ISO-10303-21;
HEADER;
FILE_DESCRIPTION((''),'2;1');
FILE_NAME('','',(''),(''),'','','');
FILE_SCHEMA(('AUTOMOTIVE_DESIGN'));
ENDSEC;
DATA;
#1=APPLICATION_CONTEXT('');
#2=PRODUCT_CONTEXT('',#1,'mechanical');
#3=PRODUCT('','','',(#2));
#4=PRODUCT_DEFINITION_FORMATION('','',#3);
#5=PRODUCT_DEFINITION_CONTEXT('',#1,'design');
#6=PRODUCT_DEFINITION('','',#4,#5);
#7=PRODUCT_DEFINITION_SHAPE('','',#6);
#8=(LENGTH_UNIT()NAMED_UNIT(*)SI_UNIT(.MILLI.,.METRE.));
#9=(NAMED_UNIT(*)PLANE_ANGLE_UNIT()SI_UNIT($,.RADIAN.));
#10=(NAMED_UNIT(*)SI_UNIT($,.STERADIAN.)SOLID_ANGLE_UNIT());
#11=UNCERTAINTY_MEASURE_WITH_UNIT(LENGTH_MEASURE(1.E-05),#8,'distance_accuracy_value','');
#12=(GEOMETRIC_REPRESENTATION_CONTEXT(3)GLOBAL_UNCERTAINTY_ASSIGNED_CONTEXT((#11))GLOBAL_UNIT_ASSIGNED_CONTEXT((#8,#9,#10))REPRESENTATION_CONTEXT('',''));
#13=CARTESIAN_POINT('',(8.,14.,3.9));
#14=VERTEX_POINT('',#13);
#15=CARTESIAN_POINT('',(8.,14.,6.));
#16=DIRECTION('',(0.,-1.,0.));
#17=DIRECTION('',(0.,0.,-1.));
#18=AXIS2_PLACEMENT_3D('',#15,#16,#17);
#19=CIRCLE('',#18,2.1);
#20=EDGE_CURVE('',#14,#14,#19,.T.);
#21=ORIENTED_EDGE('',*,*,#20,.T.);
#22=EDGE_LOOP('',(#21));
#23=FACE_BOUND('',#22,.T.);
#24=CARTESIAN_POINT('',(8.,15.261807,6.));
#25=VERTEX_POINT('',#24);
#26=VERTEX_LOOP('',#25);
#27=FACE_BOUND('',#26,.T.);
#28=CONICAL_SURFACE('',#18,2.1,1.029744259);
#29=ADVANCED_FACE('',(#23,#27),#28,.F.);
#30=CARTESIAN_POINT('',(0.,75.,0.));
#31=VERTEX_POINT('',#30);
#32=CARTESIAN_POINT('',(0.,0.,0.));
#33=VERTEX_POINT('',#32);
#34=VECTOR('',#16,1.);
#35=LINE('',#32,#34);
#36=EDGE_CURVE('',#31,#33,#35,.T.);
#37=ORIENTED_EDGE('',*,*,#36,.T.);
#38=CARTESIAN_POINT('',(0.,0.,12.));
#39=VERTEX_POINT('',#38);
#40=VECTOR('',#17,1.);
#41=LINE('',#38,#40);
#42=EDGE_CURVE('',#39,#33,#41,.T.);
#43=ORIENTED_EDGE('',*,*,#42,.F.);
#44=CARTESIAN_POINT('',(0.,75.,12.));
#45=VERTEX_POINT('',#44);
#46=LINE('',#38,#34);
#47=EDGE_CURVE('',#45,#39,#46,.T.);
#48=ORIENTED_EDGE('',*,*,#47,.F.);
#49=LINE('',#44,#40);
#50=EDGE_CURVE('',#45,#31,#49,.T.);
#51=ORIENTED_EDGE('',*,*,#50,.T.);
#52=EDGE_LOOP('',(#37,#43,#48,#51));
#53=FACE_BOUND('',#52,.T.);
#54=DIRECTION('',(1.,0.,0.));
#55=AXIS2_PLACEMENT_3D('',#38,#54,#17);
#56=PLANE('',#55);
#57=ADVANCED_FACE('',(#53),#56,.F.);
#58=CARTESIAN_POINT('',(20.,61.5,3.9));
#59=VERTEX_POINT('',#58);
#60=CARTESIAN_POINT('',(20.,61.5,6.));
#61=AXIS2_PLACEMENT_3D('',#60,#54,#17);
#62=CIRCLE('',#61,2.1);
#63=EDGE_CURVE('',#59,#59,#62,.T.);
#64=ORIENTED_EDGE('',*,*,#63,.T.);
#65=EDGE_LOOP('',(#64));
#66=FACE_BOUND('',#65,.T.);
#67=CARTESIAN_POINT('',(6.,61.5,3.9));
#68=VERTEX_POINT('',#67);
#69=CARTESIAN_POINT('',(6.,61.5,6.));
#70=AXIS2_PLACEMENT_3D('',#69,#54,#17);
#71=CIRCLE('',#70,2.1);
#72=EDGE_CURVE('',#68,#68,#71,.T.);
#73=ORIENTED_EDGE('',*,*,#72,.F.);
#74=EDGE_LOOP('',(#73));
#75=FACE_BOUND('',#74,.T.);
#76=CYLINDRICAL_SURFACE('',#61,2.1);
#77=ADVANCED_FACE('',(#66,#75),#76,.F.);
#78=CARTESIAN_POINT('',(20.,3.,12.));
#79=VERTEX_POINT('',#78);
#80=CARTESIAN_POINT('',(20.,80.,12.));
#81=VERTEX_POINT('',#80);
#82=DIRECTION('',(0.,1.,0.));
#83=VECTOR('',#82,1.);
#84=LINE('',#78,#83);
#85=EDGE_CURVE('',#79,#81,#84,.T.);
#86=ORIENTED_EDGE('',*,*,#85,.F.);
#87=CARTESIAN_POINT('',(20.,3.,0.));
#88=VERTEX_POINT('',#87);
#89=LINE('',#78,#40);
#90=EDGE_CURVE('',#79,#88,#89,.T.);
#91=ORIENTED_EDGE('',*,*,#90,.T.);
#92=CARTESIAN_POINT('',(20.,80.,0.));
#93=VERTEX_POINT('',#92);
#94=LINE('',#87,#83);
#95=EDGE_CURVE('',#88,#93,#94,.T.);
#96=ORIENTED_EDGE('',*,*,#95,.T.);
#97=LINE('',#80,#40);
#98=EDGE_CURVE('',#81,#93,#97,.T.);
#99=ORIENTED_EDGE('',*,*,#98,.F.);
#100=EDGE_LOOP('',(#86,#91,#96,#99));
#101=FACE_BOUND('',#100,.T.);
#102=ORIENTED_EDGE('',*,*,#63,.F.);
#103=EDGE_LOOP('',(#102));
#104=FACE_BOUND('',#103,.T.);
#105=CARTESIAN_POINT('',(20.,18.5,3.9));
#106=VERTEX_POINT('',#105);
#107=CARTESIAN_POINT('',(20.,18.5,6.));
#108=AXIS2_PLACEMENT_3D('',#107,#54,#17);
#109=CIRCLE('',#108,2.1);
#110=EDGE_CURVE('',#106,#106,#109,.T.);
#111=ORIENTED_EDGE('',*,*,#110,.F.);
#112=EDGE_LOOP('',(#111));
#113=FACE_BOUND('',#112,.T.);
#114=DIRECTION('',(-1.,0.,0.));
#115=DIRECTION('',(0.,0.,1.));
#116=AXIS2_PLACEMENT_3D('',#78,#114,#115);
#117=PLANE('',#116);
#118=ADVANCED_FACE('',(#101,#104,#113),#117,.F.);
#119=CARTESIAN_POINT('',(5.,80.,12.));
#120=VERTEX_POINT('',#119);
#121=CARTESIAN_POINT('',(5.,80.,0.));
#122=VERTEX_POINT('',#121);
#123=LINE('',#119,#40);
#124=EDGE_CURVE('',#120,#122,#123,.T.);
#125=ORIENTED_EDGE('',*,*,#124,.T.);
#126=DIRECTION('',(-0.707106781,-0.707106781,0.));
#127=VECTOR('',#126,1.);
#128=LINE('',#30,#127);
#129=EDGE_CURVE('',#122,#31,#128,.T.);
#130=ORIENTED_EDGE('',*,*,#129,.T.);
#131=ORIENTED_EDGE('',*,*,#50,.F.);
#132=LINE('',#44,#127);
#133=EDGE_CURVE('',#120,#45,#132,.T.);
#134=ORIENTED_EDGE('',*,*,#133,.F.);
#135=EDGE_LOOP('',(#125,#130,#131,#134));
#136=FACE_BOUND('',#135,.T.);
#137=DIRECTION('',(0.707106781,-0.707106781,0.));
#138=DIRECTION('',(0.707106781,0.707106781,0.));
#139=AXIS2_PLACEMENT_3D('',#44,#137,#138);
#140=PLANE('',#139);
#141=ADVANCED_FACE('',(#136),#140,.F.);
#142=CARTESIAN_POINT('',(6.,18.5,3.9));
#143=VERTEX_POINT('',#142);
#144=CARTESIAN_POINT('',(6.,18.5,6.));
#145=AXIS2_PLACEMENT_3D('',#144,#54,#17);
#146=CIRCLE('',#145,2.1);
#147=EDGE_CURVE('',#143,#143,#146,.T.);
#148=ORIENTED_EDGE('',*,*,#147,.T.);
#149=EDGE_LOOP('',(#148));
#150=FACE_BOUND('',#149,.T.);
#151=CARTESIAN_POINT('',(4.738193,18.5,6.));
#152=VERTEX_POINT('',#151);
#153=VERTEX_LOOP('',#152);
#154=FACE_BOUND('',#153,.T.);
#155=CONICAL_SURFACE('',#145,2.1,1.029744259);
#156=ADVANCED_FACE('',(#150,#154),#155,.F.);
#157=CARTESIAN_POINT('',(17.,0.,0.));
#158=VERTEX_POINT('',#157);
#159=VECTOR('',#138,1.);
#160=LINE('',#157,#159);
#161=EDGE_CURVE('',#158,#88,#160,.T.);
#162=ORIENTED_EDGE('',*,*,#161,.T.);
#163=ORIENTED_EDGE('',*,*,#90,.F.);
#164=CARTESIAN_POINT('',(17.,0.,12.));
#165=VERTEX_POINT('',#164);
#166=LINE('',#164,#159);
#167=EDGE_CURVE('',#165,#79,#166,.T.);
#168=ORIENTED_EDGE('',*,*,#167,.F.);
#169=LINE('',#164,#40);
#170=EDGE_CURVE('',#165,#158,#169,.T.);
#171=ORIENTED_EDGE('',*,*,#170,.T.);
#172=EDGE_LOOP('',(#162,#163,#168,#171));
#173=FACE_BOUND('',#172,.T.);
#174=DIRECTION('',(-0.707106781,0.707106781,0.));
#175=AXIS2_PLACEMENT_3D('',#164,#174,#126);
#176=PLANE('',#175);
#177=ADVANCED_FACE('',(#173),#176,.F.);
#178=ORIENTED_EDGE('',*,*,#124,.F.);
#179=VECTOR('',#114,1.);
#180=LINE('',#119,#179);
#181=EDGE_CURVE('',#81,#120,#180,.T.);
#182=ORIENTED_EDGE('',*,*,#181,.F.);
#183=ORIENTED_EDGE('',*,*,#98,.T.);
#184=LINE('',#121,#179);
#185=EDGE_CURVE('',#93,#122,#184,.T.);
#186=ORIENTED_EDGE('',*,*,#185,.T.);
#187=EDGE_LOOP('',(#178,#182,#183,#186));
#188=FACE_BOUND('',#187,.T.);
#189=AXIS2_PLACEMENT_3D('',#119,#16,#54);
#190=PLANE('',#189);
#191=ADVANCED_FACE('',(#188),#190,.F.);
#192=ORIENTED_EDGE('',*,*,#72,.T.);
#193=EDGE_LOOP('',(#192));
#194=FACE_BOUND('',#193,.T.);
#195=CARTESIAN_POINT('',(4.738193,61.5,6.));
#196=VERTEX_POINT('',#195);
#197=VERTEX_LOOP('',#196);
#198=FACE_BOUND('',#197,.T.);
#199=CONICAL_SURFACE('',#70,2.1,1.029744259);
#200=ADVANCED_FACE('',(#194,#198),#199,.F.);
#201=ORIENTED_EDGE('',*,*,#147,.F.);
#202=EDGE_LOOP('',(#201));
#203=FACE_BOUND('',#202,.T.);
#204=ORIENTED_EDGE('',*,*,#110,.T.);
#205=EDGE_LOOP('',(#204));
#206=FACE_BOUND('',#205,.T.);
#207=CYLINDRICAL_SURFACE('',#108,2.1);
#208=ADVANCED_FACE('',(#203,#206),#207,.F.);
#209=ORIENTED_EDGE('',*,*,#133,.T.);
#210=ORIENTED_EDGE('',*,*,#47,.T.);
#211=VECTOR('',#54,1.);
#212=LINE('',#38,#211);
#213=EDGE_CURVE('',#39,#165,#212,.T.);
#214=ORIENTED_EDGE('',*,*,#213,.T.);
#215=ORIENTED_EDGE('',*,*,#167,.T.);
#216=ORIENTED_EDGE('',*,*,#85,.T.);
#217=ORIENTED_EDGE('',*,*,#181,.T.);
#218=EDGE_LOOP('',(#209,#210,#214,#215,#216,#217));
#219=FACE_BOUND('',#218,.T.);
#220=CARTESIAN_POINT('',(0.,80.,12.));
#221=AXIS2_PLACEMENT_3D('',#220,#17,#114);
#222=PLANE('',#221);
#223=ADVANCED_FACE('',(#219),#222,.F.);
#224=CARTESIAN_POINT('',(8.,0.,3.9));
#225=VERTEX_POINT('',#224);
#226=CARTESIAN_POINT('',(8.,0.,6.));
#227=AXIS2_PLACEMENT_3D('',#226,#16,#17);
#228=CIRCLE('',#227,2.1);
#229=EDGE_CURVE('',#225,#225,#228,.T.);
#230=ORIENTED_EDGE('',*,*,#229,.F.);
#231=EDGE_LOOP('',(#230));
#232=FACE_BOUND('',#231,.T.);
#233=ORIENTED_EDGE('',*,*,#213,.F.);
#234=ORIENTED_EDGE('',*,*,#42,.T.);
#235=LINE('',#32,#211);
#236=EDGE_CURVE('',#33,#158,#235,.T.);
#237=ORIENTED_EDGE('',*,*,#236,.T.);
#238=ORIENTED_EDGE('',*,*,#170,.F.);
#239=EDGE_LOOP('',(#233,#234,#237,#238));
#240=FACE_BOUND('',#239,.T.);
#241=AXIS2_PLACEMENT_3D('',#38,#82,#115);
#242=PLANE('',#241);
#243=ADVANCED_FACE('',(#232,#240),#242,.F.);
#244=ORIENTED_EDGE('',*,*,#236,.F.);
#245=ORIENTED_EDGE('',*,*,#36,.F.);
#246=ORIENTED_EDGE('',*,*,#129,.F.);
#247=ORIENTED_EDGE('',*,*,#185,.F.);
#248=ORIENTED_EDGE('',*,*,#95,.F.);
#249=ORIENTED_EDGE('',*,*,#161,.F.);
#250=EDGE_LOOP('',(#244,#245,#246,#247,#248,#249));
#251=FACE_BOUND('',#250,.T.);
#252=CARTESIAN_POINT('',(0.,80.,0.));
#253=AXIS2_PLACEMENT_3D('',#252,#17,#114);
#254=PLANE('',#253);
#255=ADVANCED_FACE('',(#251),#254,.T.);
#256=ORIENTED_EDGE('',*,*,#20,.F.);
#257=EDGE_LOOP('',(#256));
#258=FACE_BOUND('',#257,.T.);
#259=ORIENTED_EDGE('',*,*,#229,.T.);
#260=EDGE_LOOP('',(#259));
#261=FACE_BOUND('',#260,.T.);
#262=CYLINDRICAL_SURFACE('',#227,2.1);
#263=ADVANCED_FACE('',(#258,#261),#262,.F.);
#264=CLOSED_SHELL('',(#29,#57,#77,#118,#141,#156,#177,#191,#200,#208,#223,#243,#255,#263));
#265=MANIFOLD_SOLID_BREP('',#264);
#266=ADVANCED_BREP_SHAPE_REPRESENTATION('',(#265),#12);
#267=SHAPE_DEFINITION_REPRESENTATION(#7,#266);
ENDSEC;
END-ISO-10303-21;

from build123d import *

# Parameters (mm, degrees)
BOSS_EXTRUDE1_DEPTH       = 12
M5X0_8_TAPPED_HOLE1_D     = 4.2
M5X0_8_TAPPED_HOLE1_DEPTH = 14
M5X0_8_TAPPED_HOLE1_TIP   = 1.2618073
M5X0_8_TAPPED_HOLE2_D     = 4.2
M5X0_8_TAPPED_HOLE2_DEPTH = 14
M5X0_8_TAPPED_HOLE2_TIP   = 1.2618073


with BuildPart() as part:
    # Sketch1 → Boss-Extrude1 (new body)
    with BuildSketch(Plane.XY):
        Polygon((0, 75), (5, 80), (20, 80), (20, 3), (17, 0), (0, 0), align=None)
    extrude(amount=BOSS_EXTRUDE1_DEPTH)

    # M5x0.8 Tapped Hole1
    with Locations(Plane.XZ):
        with Locations((8, 6)):
            Hole(M5X0_8_TAPPED_HOLE1_D / 2, depth=M5X0_8_TAPPED_HOLE1_DEPTH)
            with Locations((0, 0, -(M5X0_8_TAPPED_HOLE1_DEPTH + M5X0_8_TAPPED_HOLE1_TIP / 2))):  # 118° drill point
                Cone(0, M5X0_8_TAPPED_HOLE1_D / 2, M5X0_8_TAPPED_HOLE1_TIP, mode=Mode.SUBTRACT)

    # M5x0.8 Tapped Hole2
    with Locations(Plane(origin=(20, 0, 0), x_dir=(0, 0, -1), z_dir=(1, 0, 0))):
        with Locations((-6, 18.5), (-6, 61.5)):
            Hole(M5X0_8_TAPPED_HOLE2_D / 2, depth=M5X0_8_TAPPED_HOLE2_DEPTH)
            with Locations((0, 0, -(M5X0_8_TAPPED_HOLE2_DEPTH + M5X0_8_TAPPED_HOLE2_TIP / 2))):  # 118° drill point
                Cone(0, M5X0_8_TAPPED_HOLE2_D / 2, M5X0_8_TAPPED_HOLE2_TIP, mode=Mode.SUBTRACT)


solid = part.part
